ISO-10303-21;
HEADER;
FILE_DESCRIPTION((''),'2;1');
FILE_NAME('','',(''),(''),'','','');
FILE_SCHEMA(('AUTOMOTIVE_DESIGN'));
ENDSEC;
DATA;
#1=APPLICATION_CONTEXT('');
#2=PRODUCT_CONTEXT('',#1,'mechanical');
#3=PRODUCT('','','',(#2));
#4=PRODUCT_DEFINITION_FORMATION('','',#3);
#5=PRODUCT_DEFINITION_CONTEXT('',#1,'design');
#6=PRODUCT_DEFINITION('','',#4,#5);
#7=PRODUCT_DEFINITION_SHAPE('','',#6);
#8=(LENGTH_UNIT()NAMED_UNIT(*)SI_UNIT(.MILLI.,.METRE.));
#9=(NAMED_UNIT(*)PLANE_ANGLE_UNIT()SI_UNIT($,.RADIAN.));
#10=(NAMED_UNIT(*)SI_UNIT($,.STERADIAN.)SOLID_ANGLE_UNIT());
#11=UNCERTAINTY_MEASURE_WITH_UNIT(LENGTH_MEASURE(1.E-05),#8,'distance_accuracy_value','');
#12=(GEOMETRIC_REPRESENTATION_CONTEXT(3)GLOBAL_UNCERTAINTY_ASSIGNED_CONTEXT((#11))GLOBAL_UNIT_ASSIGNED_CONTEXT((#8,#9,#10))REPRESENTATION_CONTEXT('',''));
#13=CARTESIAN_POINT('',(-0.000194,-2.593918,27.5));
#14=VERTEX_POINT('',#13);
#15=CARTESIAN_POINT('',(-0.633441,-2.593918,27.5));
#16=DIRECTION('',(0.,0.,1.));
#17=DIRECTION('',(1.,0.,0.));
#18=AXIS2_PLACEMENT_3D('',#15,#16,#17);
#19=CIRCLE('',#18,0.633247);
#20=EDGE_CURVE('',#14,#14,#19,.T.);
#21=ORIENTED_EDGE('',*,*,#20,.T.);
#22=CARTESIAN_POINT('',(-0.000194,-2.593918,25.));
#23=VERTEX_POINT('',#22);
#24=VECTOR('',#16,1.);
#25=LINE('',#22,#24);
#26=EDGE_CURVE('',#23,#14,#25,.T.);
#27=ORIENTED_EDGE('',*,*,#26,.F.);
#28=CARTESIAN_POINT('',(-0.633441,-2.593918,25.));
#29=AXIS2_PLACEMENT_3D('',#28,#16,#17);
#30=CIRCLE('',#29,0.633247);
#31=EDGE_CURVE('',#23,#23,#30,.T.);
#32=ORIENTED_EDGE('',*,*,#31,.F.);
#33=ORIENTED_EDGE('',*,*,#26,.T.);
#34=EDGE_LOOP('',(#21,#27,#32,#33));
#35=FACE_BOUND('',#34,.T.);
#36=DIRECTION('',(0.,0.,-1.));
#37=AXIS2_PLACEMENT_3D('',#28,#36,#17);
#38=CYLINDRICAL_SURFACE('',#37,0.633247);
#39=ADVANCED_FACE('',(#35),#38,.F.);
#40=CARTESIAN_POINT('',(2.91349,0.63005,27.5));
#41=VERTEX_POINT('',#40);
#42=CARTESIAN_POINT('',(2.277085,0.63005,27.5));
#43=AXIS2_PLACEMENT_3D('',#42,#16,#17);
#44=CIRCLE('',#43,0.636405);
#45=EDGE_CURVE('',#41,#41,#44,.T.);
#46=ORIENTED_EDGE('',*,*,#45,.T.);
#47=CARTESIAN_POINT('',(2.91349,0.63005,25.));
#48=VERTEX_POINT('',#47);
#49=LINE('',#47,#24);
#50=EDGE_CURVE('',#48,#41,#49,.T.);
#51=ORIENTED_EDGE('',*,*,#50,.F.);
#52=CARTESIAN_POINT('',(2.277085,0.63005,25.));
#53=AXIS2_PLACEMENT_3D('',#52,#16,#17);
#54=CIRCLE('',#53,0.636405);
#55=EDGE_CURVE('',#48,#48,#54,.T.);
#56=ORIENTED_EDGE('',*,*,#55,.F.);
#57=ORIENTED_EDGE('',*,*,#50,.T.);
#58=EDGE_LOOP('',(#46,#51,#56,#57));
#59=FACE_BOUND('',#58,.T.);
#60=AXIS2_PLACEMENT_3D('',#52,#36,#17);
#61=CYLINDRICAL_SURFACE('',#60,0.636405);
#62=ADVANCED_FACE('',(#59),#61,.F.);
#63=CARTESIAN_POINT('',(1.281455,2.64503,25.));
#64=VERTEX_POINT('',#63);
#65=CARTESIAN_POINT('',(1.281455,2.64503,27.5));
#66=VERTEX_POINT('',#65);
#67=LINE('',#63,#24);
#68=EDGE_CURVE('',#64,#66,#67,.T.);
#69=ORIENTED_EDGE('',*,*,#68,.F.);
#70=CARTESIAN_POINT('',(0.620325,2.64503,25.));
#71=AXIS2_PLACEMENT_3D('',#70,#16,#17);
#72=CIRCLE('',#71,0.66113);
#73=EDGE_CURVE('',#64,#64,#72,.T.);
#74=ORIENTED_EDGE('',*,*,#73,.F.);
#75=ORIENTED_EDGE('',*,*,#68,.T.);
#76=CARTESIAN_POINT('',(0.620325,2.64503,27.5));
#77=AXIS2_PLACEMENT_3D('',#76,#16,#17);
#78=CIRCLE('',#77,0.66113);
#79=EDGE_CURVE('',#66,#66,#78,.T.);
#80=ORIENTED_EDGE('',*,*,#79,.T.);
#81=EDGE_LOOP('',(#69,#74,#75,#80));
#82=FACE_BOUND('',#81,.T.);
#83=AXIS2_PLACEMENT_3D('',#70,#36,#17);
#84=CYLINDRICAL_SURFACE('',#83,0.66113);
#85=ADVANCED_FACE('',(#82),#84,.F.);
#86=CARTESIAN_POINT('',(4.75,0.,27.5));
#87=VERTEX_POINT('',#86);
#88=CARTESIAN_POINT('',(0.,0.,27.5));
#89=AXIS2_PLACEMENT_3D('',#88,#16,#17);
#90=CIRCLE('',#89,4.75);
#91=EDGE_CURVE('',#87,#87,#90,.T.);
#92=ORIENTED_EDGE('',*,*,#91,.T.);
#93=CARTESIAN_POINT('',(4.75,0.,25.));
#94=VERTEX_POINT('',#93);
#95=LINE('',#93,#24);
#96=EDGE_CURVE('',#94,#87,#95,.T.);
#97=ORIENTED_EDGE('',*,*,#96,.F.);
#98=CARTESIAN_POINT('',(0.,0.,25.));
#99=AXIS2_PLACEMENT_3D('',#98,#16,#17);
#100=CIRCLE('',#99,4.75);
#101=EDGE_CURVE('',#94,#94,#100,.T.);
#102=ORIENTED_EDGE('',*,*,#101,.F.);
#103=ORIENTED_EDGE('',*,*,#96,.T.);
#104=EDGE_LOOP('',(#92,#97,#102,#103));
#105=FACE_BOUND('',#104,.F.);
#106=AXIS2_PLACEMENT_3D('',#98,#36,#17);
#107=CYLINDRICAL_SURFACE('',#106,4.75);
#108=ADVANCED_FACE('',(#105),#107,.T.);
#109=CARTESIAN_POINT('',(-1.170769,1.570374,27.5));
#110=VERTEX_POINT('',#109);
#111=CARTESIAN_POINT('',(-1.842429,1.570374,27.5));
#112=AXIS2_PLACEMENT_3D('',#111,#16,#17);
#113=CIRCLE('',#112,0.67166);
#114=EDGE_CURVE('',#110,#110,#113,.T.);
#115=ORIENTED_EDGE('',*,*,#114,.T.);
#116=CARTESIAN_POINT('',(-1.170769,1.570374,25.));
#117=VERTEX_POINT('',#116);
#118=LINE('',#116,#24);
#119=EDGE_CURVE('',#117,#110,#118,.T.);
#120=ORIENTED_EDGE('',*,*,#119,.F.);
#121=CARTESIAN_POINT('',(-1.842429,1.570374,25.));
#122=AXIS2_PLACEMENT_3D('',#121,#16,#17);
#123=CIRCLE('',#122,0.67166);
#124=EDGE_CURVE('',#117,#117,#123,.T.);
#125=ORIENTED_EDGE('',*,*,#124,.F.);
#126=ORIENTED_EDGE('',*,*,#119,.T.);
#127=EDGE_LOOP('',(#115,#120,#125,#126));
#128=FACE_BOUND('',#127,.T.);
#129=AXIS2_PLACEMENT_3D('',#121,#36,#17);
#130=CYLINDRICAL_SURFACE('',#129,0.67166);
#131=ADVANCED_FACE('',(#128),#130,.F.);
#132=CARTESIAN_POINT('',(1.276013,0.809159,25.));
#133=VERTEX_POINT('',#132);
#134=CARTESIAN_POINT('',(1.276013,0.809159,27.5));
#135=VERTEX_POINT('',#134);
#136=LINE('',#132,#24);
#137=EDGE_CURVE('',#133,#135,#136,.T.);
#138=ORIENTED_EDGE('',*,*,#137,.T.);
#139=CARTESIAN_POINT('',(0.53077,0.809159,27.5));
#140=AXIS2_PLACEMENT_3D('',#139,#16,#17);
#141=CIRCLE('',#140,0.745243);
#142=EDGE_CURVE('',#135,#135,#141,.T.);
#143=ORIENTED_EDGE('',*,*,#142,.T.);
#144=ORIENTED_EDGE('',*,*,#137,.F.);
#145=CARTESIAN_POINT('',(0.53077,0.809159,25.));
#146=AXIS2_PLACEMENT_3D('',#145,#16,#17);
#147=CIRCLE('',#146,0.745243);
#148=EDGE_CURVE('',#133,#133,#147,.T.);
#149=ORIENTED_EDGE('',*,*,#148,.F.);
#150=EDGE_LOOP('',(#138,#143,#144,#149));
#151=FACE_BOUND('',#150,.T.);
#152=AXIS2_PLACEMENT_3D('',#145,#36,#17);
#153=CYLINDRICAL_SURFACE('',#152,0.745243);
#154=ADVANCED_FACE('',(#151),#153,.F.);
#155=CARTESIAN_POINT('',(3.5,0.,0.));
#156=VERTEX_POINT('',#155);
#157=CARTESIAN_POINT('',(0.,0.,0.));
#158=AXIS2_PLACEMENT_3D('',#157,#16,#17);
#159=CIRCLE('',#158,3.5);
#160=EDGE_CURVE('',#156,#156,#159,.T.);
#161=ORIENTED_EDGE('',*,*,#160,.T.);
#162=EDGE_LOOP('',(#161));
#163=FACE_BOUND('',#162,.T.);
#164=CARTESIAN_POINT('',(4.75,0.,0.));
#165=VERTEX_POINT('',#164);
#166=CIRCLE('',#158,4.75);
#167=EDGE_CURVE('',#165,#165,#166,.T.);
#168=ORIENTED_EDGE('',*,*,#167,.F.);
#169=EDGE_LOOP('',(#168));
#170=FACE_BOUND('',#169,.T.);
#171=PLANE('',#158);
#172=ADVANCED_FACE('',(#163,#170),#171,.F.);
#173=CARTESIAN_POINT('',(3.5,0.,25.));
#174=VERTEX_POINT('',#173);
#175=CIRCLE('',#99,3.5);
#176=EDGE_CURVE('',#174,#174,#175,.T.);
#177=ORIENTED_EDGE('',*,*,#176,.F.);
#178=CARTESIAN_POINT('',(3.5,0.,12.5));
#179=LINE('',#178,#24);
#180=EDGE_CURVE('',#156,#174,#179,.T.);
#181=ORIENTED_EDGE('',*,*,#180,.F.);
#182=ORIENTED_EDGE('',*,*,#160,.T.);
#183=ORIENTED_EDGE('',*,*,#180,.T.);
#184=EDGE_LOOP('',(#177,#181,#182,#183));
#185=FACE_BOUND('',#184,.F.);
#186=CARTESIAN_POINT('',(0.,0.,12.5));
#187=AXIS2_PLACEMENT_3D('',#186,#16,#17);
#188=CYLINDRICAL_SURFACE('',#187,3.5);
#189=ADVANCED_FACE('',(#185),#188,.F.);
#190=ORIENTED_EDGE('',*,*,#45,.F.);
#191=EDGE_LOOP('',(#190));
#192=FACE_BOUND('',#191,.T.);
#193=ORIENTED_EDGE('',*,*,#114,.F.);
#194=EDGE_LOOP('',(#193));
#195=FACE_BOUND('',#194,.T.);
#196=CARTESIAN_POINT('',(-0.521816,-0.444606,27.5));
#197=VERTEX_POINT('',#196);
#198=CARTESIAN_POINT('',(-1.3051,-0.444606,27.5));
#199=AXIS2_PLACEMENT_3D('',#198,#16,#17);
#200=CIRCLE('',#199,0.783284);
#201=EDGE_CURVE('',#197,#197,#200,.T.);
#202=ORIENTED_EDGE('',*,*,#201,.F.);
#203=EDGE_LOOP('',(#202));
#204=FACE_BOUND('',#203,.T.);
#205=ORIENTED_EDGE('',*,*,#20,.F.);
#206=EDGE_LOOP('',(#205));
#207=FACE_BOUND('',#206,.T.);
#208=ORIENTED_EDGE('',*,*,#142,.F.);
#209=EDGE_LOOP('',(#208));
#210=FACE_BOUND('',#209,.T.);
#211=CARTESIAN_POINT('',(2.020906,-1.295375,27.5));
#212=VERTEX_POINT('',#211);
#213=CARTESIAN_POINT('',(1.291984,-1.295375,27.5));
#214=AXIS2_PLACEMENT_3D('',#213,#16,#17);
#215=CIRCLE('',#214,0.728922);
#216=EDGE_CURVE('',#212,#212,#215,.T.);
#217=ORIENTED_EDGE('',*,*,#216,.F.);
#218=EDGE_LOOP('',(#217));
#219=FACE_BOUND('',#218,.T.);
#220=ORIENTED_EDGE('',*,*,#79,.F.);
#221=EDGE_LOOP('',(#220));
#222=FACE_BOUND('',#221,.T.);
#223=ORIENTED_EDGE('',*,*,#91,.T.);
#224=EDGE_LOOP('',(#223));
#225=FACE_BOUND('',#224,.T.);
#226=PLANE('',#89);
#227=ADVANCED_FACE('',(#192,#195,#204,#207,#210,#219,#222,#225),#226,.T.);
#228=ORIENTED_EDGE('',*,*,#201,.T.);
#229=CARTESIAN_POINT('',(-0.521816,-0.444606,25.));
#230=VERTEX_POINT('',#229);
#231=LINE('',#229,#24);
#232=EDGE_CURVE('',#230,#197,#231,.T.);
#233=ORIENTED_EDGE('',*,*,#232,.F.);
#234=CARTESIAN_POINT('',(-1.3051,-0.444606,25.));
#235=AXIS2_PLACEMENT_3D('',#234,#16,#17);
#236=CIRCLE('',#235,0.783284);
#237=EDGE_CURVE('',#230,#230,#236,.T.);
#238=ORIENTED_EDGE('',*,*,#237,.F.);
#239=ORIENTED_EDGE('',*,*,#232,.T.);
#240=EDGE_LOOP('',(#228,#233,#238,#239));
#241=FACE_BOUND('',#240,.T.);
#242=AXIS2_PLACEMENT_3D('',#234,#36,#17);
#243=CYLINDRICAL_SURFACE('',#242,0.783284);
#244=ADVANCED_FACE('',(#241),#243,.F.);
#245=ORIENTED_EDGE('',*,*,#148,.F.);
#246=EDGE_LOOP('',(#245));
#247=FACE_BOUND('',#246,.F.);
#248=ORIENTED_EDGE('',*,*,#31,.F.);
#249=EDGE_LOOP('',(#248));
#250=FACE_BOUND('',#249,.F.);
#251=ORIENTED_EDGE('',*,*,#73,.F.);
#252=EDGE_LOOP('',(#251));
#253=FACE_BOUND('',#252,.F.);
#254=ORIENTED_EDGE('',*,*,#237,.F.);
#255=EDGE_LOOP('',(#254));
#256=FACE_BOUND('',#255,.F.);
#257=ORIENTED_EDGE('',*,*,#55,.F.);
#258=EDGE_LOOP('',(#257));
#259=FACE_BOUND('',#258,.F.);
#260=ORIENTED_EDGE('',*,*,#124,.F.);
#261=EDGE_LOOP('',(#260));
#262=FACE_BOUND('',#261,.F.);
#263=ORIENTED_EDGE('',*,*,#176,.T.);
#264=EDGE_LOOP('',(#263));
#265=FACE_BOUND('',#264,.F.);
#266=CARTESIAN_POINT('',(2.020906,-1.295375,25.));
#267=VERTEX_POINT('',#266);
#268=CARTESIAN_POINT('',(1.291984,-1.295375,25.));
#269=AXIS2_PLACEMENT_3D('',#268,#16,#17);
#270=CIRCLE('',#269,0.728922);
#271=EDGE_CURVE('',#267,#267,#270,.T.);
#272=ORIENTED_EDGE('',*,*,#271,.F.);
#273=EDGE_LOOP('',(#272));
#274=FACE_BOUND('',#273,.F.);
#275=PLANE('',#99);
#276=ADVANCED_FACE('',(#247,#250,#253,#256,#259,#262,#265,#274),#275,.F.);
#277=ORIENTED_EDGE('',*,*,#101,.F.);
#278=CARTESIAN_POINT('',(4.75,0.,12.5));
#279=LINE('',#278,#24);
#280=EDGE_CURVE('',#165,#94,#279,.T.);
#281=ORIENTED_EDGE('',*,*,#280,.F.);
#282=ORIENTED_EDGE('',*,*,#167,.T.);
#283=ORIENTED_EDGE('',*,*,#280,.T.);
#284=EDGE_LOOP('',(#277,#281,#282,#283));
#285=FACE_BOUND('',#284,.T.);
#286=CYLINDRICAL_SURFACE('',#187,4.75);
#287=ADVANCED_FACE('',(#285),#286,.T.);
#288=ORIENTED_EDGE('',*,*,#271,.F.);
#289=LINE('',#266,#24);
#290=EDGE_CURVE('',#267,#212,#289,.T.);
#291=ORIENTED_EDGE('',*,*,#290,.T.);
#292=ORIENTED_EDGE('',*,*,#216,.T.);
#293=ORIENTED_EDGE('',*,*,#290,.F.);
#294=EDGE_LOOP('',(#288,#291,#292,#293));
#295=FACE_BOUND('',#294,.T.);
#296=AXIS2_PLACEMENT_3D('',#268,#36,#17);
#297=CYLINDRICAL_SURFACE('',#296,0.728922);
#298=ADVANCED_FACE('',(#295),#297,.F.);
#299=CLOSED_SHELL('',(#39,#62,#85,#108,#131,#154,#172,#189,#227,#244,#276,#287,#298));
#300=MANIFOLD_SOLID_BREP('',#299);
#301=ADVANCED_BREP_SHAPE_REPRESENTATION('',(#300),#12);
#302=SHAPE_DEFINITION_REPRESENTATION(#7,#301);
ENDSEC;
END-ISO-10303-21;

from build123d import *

# Parameters (mm, degrees)
F0_W     = 1.25
F0_H     = 25
F2_R     = 4.75
F2_R_2   = 0.633247
F2_R_3   = 0.783284
F2_R_4   = 0.728922
F2_R_5   = 0.67166
F2_R_6   = 0.745243
F2_R_7   = 0.636405
F2_R_8   = 0.66113
F3_DEPTH = 2.5


with BuildPart() as f1:
    # F0 (on Front) → F1 (revolve)
    with BuildSketch(Plane.XZ):
        with Locations((4.125, 12.5)):
            Rectangle(F0_W, F0_H)
    revolve(axis=Axis((0, 0, 12.5), (0, 0, 1)))

    # F2 (on face) → F3 (join)
    with BuildSketch(Plane.XY.offset(25)):
        Circle(F2_R)
        with Locations((-0.633441, -2.593918)):
            Circle(F2_R_2, mode=Mode.SUBTRACT)
        with Locations((-1.3051, -0.444606)):
            Circle(F2_R_3, mode=Mode.SUBTRACT)
        with Locations((1.291984, -1.295375)):
            Circle(F2_R_4, mode=Mode.SUBTRACT)
        with Locations((-1.842429, 1.570374)):
            Circle(F2_R_5, mode=Mode.SUBTRACT)
        with Locations((0.53077, 0.809159)):
            Circle(F2_R_6, mode=Mode.SUBTRACT)
        with Locations((2.277085, 0.63005)):
            Circle(F2_R_7, mode=Mode.SUBTRACT)
        with Locations((0.620325, 2.64503)):
            Circle(F2_R_8, mode=Mode.SUBTRACT)
    extrude(amount=F3_DEPTH)


solid = f1.part
